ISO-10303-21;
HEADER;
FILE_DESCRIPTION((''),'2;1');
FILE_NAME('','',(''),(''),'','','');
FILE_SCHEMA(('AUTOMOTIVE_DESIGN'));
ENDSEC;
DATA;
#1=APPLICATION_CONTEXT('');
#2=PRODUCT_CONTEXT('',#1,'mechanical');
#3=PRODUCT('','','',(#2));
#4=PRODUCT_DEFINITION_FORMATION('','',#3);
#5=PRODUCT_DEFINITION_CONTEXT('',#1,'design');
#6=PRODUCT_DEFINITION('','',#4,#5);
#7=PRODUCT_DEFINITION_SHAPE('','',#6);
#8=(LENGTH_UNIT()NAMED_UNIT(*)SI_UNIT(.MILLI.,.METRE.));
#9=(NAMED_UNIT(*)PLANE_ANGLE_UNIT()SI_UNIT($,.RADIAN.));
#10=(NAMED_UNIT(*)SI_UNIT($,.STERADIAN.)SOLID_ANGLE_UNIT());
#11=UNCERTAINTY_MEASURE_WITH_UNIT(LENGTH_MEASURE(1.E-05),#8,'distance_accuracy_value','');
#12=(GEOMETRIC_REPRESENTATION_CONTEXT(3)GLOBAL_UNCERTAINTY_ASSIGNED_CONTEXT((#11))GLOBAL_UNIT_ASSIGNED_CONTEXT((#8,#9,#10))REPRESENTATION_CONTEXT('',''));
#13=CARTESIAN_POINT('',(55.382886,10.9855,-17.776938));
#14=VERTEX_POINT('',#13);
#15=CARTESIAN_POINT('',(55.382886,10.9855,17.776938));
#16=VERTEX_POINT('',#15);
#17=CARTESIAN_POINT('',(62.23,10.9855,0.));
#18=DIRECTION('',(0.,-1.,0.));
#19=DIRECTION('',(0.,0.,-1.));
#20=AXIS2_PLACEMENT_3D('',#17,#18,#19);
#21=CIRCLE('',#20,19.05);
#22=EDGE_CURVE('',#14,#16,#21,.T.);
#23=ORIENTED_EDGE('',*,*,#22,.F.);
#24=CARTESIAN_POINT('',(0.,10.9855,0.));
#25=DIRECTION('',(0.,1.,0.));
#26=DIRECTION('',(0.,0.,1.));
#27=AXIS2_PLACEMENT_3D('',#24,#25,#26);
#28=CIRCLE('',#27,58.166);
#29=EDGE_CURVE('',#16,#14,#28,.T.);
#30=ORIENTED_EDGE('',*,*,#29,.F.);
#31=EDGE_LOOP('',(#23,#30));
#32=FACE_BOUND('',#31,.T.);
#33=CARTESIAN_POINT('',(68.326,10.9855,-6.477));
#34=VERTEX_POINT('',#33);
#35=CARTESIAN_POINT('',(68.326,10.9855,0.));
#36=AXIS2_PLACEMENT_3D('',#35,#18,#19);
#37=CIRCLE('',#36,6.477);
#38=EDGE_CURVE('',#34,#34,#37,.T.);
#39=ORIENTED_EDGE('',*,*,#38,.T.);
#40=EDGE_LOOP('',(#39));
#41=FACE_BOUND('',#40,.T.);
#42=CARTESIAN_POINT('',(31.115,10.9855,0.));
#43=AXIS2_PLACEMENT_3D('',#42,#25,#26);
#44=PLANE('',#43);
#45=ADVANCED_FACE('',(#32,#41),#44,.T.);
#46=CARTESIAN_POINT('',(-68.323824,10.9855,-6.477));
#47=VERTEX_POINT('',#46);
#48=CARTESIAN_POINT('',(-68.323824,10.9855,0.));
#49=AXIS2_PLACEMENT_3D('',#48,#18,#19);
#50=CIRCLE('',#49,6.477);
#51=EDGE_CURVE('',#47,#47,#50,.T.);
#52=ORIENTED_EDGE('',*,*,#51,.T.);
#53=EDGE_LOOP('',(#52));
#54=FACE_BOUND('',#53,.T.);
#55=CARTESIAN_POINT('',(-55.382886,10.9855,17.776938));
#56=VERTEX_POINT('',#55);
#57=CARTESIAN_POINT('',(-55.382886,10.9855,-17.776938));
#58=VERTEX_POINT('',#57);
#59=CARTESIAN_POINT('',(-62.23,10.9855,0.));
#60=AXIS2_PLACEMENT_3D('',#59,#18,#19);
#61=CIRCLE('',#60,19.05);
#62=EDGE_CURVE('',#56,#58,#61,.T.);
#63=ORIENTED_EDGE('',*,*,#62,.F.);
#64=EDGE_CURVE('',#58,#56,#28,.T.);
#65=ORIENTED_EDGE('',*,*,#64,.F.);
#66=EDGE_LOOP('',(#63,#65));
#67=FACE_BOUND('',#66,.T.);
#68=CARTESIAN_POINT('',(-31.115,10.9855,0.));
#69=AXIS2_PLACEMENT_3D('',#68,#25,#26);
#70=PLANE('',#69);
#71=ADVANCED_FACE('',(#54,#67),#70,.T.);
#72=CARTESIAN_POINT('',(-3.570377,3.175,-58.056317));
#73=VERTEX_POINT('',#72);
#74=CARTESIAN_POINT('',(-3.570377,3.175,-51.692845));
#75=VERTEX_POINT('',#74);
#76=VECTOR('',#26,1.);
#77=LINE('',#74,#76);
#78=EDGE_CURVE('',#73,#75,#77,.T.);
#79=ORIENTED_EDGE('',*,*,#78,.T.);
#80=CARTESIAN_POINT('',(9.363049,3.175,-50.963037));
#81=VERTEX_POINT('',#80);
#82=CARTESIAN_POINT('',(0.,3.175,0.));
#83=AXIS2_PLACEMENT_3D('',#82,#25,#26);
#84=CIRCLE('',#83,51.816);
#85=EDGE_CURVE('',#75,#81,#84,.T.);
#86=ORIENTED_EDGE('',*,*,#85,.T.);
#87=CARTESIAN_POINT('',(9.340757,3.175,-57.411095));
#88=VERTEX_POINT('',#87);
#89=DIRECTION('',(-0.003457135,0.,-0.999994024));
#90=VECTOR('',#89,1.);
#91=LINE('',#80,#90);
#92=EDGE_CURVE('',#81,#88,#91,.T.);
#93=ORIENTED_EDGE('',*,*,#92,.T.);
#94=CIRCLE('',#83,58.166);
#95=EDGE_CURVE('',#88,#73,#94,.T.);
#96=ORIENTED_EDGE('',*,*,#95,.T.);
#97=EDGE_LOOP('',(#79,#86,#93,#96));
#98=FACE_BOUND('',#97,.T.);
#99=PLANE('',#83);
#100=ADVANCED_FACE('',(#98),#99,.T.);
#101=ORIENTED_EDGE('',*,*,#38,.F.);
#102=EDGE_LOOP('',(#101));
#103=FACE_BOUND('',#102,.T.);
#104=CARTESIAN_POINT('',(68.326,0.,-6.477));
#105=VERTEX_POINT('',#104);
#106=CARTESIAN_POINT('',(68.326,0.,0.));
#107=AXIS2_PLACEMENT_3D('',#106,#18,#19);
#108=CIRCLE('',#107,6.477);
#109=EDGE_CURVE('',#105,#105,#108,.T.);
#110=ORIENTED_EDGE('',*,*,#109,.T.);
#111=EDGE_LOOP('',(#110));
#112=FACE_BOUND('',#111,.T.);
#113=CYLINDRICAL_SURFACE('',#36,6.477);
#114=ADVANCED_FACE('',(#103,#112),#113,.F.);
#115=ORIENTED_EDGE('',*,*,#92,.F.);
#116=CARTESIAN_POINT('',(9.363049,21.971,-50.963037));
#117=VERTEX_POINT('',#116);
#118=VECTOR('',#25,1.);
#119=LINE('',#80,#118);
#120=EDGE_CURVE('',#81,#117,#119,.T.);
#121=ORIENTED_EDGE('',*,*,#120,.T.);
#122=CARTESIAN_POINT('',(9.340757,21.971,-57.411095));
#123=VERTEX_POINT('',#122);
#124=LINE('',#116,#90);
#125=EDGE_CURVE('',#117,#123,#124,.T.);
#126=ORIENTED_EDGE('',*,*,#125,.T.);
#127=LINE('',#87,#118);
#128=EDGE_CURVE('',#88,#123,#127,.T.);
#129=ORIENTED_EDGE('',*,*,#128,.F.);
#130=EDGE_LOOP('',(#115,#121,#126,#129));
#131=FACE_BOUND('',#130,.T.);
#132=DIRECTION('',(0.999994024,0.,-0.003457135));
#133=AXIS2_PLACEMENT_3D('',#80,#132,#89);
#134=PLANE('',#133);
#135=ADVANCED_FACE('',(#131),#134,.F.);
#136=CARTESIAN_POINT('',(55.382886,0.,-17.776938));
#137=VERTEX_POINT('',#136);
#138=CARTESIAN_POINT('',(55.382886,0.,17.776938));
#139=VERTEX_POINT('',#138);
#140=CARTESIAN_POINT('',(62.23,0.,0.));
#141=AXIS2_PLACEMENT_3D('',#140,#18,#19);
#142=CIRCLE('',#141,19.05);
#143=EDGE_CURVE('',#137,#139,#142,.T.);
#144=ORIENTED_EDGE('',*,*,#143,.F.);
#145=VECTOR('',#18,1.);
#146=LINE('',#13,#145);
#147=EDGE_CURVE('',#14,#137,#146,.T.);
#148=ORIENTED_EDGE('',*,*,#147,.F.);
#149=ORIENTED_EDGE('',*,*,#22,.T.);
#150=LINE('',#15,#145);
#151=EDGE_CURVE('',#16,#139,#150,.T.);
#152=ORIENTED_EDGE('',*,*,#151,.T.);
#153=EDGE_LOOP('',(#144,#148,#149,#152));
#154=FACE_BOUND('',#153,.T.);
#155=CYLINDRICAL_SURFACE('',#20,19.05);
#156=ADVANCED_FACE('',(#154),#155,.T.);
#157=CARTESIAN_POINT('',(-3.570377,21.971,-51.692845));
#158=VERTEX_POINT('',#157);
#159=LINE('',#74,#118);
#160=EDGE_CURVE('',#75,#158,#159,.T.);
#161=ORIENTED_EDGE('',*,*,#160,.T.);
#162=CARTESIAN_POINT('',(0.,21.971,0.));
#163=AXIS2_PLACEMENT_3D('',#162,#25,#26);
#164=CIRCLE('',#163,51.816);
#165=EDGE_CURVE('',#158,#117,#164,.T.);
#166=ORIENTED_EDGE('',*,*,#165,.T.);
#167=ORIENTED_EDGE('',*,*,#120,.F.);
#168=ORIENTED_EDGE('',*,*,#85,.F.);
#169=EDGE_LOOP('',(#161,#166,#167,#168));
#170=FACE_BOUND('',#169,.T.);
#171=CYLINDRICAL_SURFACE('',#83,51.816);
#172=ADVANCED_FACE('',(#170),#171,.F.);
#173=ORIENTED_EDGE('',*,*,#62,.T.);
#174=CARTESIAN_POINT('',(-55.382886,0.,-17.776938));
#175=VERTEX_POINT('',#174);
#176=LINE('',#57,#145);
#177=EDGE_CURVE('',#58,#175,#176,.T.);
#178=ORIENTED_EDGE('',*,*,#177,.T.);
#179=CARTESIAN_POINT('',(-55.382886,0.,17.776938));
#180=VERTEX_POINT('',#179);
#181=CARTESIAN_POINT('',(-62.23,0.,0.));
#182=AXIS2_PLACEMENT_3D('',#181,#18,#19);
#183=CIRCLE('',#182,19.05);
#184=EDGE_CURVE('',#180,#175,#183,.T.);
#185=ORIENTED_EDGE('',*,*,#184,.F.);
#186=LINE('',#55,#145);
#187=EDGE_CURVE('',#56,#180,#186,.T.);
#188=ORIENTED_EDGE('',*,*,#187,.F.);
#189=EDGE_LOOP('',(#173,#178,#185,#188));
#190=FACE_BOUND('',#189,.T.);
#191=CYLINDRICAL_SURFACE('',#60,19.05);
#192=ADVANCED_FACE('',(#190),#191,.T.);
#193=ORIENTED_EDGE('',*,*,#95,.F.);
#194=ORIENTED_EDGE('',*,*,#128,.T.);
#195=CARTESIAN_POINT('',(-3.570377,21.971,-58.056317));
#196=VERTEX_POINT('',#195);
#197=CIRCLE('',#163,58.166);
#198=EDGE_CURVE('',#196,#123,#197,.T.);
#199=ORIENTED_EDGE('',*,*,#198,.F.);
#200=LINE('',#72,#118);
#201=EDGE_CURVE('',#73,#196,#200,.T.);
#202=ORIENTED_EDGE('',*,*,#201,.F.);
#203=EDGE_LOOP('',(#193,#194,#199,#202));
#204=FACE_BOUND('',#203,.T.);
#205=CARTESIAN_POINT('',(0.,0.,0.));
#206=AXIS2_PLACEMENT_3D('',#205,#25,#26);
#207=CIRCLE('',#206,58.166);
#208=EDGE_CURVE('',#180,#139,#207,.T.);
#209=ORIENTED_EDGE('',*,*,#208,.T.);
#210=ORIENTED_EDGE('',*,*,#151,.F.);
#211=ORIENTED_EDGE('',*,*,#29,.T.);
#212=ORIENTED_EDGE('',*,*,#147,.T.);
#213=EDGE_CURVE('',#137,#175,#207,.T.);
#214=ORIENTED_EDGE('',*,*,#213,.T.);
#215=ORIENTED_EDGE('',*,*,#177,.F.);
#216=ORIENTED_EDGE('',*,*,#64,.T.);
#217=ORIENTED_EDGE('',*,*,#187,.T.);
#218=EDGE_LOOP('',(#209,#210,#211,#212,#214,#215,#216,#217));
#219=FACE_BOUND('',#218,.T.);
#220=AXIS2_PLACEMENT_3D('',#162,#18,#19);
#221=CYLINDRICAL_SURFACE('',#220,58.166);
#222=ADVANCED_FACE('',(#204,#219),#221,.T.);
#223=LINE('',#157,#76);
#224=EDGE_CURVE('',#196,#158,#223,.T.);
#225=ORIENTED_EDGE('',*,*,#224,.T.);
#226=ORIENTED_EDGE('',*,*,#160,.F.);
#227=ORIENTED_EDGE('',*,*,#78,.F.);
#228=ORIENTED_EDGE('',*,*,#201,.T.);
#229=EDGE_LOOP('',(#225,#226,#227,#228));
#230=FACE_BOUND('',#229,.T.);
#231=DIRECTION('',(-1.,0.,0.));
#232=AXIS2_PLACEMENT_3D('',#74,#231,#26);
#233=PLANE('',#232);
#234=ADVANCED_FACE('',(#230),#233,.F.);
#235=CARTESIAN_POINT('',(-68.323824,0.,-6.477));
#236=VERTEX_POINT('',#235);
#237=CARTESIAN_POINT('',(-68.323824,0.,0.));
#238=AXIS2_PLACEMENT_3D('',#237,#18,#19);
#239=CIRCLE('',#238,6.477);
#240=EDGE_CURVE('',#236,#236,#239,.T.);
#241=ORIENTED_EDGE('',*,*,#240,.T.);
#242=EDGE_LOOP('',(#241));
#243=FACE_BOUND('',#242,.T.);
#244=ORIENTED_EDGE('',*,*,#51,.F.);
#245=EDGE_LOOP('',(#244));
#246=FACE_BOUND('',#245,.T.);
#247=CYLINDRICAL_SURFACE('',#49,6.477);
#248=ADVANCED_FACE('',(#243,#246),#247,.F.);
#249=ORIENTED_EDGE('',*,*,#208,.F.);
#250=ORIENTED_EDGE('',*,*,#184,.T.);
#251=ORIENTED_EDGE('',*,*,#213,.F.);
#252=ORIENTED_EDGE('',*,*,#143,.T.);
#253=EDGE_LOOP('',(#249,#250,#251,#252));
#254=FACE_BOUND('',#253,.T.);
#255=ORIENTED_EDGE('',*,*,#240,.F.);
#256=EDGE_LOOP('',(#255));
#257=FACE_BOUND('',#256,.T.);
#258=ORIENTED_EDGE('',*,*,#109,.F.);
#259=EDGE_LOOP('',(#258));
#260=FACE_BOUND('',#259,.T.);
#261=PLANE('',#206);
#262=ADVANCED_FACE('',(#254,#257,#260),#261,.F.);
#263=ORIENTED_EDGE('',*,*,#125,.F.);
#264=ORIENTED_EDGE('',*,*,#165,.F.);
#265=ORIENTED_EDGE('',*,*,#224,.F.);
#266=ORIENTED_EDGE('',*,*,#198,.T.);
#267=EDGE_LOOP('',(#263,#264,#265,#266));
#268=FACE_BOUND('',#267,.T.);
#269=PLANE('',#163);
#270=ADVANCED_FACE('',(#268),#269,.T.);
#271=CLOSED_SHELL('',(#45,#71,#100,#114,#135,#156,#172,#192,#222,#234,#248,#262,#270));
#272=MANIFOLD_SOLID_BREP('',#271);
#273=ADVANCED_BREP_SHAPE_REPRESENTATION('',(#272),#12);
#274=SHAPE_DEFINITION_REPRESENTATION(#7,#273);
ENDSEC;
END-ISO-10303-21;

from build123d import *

# Parameters (mm, degrees)
SKETCH1_R           = 58.166
BOSS_EXTRUDE1_DEPTH = 21.971
SKETCH3_R           = 51.816
CUT_EXTRUDE2_DEPTH  = 18.796
CUT_EXTRUDE7_DEPTH  = 18.796
SKETCH7_R           = 6.477
BOSS_EXTRUDE3_DEPTH = 10.9855


with BuildPart() as part:
    # Sketch1 → Boss-Extrude1 (new body)
    with BuildSketch(Plane(origin=(0, 0, 0), x_dir=(1, 0, 0), z_dir=(0, 1, 0))):
        Circle(SKETCH1_R)
    extrude(amount=BOSS_EXTRUDE1_DEPTH)

    # Sketch3 → Cut-Extrude2 (cut)
    with BuildSketch(Plane(origin=(0, 21.971, 0), x_dir=(1, 0, 0), z_dir=(0, 1, 0))):
        Circle(SKETCH3_R)
    extrude(amount=-CUT_EXTRUDE2_DEPTH, mode=Mode.SUBTRACT)

    # Sketch6 → Cut-Extrude7 (cut)
    with BuildSketch(Plane(origin=(0, 21.971, 0), x_dir=(1, 0, 0), z_dir=(0, 1, 0))):
        with BuildLine():
            Line((9.363048829, 50.963037318), (9.340756891, 57.411094892))
            ThreePointArc((9.340756891, 57.411094892), (2.903170649, 58.093503563), (-3.57037671, 58.056317194))
            Line((-3.57037671, 58.056317194), (-3.57037671, 51.692845406))
            ThreePointArc((-3.57037671, 51.692845406), (2.919232353, 51.733702153), (9.363048829, 50.963037318))
        make_face()
    extrude(amount=-CUT_EXTRUDE7_DEPTH, mode=Mode.SUBTRACT)

    # Sketch7 → Boss-Extrude3 (add)
    with BuildSketch(Plane.XZ):
        with BuildLine():
            ThreePointArc((55.382885714, -17.776938037), (81.28, 0), (55.382885714, 17.776938037))
            ThreePointArc((55.382885714, 17.776938037), (58.166, 0), (55.382885714, -17.776938037))
        make_face()
        with Locations((68.326, 0)):
            Circle(SKETCH7_R, mode=Mode.SUBTRACT)
        with BuildLine():
            ThreePointArc((-55.382885714, 17.776938037), (-81.28, 0), (-55.382885714, -17.776938037))
            ThreePointArc((-55.382885714, -17.776938037), (-58.166, 0), (-55.382885714, 17.776938037))
        make_face()
        with Locations((-68.323824172, 0)):
            Circle(SKETCH7_R, mode=Mode.SUBTRACT)
    extrude(amount=-BOSS_EXTRUDE3_DEPTH)


solid = part.part
